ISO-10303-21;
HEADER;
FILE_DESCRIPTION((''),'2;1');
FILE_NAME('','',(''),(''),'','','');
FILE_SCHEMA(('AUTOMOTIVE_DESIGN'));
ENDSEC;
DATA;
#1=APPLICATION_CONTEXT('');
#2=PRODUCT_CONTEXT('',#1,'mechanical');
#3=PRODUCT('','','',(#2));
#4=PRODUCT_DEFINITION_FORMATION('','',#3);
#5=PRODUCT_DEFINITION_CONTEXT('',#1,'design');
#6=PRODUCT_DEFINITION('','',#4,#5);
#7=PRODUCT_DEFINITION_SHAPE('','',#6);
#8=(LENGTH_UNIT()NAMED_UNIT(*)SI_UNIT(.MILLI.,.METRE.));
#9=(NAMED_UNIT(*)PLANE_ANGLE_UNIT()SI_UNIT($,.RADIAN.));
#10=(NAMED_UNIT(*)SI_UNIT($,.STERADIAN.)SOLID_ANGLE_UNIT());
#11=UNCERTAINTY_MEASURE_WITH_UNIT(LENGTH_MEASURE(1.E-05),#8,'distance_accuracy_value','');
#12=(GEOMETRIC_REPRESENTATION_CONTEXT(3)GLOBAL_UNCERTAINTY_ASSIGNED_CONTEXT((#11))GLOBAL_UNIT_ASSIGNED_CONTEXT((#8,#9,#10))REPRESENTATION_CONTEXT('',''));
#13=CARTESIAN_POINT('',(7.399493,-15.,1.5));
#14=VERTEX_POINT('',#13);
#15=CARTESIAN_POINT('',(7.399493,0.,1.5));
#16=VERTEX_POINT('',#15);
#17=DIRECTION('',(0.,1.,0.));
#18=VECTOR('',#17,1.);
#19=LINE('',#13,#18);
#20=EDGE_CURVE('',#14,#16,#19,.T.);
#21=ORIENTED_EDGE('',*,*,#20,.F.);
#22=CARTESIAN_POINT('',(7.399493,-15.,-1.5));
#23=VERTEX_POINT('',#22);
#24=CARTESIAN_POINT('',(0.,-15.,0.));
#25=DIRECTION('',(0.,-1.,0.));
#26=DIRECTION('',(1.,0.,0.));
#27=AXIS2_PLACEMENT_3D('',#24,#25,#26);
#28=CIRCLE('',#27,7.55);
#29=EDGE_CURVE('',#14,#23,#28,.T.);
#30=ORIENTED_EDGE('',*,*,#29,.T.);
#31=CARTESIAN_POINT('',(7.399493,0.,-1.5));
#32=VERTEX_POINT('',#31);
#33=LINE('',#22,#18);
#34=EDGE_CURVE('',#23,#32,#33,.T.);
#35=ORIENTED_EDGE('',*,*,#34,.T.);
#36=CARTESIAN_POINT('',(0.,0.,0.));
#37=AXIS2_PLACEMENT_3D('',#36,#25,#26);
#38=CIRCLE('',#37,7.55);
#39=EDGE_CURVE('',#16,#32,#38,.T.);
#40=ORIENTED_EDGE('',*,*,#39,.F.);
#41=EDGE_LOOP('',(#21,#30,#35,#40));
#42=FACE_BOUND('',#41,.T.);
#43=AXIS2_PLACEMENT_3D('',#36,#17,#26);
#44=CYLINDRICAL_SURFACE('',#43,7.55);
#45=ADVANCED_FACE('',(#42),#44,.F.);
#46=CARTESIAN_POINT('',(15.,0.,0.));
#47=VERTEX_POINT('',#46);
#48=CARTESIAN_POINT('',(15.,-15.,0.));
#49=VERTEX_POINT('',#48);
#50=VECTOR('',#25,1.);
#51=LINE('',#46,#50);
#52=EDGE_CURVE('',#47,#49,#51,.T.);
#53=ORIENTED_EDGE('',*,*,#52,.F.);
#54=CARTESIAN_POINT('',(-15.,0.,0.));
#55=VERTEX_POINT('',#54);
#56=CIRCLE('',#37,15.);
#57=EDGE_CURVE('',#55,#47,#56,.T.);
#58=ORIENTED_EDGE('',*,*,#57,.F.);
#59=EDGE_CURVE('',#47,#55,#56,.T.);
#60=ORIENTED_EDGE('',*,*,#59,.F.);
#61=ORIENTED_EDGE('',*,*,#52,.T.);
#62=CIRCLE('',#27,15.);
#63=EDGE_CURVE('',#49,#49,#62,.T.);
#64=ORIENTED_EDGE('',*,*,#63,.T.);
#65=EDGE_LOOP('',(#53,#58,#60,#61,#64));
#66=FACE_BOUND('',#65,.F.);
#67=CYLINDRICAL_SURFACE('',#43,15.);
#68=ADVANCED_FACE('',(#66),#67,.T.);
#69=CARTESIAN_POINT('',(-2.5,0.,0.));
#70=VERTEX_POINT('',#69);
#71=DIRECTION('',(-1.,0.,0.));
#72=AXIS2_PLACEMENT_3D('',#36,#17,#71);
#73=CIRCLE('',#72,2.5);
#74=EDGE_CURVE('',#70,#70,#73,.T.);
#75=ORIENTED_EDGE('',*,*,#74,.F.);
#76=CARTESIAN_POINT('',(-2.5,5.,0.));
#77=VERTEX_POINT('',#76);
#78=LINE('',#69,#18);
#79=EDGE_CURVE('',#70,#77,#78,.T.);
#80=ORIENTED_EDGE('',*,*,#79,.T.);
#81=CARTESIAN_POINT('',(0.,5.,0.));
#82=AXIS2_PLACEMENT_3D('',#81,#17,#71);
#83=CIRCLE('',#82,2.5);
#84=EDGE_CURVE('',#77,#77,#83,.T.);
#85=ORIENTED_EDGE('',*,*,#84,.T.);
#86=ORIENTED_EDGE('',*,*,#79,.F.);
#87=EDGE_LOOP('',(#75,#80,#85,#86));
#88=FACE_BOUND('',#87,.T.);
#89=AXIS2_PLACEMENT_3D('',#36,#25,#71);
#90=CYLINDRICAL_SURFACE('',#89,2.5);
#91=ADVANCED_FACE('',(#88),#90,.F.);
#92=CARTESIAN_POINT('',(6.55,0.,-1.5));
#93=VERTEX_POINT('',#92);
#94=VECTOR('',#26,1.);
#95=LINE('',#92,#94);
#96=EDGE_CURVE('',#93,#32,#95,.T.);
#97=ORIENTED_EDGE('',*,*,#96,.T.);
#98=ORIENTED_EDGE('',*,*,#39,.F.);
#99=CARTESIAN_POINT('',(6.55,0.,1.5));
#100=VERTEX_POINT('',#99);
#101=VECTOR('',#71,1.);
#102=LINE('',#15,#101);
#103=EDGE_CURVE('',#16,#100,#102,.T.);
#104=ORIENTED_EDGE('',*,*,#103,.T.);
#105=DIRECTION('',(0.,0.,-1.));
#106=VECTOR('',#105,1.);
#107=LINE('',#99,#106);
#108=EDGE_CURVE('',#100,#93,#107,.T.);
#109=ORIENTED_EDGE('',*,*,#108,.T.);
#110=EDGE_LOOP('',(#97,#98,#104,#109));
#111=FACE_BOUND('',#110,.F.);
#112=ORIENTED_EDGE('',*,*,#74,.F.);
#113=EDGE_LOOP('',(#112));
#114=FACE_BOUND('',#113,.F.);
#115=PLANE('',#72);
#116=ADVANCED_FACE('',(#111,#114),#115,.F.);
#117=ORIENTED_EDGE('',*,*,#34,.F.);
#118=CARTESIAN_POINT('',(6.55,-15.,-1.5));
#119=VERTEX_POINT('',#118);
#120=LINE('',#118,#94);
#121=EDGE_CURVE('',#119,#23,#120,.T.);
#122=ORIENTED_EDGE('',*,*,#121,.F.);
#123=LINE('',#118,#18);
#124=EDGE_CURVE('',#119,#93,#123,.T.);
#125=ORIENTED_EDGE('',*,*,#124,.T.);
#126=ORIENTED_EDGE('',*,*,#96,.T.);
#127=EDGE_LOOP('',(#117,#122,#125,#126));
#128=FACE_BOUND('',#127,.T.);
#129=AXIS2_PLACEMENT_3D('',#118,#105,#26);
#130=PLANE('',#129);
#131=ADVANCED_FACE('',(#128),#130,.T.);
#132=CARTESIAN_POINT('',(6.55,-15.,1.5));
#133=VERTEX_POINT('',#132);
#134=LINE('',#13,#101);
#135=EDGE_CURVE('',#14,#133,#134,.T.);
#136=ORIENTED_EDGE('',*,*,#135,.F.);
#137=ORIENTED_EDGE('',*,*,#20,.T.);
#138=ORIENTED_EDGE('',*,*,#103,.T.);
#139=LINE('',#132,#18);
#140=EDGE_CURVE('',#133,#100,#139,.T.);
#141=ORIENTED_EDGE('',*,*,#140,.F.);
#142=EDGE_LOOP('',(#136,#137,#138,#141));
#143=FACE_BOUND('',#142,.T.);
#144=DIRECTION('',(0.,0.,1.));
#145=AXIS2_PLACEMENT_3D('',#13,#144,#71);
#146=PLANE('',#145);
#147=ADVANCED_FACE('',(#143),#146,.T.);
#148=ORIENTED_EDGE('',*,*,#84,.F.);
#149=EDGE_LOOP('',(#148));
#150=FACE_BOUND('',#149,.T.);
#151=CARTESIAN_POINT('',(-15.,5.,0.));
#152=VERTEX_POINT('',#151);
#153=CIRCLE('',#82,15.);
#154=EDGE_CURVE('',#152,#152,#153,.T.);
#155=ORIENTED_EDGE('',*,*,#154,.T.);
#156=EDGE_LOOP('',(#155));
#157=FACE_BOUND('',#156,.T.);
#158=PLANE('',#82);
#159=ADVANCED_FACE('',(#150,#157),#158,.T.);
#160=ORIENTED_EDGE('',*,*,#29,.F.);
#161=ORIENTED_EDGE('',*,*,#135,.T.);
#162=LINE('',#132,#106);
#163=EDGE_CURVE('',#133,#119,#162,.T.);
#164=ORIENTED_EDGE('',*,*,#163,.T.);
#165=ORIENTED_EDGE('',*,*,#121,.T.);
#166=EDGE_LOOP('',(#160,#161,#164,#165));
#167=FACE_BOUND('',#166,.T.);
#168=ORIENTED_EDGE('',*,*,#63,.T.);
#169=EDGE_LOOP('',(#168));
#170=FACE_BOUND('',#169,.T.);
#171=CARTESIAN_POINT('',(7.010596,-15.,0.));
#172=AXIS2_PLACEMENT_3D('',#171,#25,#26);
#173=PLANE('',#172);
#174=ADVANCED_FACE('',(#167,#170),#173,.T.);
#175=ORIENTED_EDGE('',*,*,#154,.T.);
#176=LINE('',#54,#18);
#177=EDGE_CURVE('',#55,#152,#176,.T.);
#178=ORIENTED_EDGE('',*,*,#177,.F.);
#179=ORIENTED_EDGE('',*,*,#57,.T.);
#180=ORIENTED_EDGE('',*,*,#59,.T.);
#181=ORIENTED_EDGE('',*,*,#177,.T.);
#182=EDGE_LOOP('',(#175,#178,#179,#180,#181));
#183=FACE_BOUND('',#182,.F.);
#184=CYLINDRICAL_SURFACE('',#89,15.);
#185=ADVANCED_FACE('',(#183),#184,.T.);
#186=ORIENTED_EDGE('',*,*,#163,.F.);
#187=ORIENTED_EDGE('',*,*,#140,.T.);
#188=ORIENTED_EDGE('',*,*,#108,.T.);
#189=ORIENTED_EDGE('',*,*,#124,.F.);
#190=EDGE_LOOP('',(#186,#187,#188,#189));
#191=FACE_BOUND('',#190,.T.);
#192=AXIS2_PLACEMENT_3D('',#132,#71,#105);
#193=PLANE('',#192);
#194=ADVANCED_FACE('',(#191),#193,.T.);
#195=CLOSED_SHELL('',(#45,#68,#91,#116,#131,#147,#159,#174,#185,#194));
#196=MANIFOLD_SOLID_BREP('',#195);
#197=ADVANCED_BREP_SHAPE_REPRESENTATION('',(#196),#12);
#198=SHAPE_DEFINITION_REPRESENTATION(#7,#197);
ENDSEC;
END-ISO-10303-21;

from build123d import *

# Parameters (mm, degrees)
F0_R     = 15
F0_R_2   = 7.55
F1_DEPTH = 15
F2_R     = 15
F2_R_2   = 2.5
F3_DEPTH = 5
F5_DEPTH = 15


with BuildPart() as f1:
    # F0 (on Front) → F1 (new body)
    with BuildSketch(Plane.XZ):
        Circle(F0_R)
        Circle(F0_R_2, mode=Mode.SUBTRACT)
    extrude(amount=F1_DEPTH)

    # F2 (on face) → F3 (join)
    with BuildSketch(Plane(origin=(0, 0, 0), x_dir=(-1, 0, 0), z_dir=(0, 1, 0))):
        Circle(F2_R)
        Circle(F2_R_2, mode=Mode.SUBTRACT)
    extrude(amount=F3_DEPTH)

    # F4 (on face) → F5 (join)
    with BuildSketch(Plane.XZ.offset(15)):
        with BuildLine():
            ThreePointArc((7.399493, -1.5), (7.55, 0), (7.399493, 1.5))
            Line((7.399493, 1.5), (6.55, 1.5))
            Line((6.55, 1.5), (6.55, -1.5))
            Line((6.55, -1.5), (7.399493, -1.5))
        make_face()
    extrude(amount=-F5_DEPTH)


solid = f1.part
